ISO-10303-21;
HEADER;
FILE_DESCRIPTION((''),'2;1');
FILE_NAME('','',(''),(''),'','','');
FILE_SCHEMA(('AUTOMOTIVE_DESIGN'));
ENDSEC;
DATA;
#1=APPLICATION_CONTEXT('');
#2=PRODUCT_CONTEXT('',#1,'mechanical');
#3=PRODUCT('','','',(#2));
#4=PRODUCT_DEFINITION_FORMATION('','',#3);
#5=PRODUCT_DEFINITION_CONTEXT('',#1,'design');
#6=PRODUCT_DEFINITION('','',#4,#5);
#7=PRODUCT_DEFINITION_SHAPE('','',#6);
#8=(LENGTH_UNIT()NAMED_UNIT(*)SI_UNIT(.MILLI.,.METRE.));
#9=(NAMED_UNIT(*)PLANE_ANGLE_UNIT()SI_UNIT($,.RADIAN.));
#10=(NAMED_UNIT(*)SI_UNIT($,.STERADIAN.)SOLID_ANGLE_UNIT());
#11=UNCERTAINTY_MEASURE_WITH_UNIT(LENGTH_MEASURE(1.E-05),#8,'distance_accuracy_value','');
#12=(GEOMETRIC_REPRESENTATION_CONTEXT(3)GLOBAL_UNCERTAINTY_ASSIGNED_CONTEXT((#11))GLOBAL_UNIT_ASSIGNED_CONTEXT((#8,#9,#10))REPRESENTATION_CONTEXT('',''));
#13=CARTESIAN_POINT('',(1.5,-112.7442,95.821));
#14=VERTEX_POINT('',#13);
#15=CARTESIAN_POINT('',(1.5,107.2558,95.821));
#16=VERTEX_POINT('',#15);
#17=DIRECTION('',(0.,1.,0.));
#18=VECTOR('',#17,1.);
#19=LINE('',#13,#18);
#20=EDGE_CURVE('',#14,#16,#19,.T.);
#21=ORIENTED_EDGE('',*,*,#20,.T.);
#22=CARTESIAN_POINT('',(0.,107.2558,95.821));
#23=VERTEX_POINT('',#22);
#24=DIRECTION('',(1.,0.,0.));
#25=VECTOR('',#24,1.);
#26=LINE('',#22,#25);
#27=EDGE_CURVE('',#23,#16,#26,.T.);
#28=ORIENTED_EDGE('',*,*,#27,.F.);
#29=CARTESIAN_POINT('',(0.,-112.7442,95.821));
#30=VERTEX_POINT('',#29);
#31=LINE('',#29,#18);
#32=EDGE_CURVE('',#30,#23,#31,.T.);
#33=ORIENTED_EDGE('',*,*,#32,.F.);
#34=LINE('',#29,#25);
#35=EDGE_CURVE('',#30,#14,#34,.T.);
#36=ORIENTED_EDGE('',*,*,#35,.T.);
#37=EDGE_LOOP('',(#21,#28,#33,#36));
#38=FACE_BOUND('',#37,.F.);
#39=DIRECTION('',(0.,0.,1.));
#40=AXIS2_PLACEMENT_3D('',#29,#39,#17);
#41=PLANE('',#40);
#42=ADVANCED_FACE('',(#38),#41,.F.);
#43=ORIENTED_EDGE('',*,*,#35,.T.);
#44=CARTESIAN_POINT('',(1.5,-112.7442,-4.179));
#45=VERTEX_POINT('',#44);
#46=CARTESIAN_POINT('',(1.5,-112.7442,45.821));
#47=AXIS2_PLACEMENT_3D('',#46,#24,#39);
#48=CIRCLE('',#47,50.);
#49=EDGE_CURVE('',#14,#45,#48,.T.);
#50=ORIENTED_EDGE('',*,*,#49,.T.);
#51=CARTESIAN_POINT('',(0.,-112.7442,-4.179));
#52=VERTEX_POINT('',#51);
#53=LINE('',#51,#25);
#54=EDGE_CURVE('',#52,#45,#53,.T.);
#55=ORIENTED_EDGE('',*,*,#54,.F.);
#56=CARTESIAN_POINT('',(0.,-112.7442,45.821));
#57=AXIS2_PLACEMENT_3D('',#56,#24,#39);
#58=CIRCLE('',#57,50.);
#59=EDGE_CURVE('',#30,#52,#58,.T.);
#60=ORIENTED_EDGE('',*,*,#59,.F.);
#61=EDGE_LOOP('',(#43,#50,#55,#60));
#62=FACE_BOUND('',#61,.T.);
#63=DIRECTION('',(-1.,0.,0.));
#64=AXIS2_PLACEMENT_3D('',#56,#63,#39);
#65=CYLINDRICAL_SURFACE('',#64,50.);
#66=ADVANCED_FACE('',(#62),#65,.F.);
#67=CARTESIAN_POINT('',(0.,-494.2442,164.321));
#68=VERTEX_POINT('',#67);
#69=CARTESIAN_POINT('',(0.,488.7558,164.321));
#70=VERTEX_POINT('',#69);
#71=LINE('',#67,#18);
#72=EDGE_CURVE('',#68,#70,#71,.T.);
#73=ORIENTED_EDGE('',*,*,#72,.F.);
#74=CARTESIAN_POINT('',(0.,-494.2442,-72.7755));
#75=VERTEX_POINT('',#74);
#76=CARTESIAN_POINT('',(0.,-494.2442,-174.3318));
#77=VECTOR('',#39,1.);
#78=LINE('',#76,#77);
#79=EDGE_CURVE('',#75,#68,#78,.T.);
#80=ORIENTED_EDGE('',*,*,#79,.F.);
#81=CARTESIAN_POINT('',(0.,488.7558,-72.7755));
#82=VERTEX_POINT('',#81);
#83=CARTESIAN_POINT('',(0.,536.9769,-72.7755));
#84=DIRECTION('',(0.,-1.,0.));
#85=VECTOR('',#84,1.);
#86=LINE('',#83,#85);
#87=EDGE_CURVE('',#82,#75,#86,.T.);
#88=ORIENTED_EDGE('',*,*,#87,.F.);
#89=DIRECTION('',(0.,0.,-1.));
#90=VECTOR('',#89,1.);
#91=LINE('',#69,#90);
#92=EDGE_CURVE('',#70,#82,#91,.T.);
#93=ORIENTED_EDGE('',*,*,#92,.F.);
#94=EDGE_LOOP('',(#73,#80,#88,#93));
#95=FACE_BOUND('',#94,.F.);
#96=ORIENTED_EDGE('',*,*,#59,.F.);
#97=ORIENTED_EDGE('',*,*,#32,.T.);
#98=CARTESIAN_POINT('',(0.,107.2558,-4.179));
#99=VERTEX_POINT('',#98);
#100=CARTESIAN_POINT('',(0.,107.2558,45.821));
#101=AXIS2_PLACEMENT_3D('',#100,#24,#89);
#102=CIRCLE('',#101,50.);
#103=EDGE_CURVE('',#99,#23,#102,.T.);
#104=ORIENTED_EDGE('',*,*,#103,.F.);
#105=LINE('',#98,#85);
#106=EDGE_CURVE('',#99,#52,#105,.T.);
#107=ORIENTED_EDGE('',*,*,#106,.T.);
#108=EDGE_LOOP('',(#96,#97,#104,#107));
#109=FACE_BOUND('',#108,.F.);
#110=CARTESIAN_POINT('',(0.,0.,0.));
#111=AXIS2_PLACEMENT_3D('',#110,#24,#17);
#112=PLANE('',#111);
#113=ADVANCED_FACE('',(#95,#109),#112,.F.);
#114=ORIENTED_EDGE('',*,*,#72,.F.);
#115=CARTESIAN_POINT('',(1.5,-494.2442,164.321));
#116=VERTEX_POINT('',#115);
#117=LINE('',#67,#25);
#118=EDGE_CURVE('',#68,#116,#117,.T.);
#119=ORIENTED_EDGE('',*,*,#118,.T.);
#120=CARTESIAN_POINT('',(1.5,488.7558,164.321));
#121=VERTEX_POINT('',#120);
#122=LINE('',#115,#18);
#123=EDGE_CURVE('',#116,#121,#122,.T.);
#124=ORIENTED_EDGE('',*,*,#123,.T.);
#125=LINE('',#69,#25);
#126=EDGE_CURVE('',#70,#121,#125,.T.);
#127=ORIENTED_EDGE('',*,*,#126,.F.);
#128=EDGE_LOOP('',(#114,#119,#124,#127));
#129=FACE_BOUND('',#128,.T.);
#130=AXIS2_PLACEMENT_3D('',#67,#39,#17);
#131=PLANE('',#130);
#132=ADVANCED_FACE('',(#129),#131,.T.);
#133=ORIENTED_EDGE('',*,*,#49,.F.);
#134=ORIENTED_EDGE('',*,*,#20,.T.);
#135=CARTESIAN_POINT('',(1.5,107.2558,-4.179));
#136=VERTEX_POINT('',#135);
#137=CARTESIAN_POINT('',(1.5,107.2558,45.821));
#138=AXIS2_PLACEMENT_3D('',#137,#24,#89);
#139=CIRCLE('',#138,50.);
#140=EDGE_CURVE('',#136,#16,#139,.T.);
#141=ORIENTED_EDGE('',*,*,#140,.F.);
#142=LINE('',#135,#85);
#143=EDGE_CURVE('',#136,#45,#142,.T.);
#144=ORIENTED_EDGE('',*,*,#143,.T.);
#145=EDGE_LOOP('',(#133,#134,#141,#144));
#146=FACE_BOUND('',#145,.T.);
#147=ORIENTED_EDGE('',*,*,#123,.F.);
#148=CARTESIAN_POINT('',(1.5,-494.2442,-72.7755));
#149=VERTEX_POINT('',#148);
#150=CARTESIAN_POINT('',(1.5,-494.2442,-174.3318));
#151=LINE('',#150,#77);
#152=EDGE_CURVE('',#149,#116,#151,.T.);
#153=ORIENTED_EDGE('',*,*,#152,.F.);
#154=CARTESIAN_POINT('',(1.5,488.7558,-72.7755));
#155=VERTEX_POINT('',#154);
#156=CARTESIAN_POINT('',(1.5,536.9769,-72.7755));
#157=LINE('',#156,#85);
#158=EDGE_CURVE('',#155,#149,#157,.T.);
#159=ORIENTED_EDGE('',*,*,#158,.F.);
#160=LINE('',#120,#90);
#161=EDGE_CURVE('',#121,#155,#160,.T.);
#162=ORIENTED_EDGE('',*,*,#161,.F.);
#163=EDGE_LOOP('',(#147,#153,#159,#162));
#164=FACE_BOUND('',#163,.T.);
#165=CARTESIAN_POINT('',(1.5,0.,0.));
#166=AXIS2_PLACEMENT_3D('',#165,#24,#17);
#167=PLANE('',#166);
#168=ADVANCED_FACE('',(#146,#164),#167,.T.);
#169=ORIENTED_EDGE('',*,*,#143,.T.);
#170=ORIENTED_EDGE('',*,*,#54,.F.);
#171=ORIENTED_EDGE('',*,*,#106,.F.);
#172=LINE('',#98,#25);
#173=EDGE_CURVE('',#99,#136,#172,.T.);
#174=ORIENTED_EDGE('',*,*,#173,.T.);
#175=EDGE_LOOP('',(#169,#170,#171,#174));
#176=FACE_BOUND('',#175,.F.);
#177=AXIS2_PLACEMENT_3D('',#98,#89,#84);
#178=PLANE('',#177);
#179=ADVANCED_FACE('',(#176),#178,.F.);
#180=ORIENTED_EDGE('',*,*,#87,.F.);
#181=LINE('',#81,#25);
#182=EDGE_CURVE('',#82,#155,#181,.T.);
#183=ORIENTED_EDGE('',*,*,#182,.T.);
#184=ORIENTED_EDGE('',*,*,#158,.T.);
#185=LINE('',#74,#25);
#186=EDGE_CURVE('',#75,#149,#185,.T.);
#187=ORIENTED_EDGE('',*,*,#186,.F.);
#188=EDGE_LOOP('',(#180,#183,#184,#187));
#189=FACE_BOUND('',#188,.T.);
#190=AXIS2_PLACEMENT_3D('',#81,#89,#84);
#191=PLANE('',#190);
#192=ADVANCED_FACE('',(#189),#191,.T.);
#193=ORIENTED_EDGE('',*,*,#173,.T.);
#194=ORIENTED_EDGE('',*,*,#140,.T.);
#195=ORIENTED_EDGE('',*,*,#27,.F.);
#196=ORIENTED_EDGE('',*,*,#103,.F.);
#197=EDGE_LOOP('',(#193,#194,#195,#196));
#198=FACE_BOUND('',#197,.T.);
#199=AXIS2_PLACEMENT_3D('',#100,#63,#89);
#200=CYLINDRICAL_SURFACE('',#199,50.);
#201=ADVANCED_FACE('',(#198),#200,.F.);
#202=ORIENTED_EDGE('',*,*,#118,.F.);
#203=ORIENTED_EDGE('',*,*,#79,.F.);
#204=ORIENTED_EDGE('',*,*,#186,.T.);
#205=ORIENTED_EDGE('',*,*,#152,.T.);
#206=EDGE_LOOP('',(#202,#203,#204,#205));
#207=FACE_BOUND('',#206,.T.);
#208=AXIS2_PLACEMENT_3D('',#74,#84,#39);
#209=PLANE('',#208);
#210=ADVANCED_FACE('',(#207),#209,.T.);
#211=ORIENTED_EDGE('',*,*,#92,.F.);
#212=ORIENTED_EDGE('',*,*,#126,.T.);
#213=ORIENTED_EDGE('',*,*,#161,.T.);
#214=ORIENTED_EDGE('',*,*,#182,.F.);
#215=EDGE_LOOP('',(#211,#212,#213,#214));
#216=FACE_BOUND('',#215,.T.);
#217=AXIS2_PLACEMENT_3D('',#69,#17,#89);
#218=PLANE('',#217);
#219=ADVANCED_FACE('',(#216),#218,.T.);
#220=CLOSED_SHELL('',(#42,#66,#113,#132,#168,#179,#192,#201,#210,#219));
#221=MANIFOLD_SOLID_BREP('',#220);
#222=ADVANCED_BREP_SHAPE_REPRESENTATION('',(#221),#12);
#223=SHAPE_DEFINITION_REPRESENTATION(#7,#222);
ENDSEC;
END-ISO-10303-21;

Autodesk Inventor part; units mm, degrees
ref_plane "YZ Plane" through (0, 0, 0) normal (1, 0, 0) x (0, 1, 0)
ref_plane "XZ Plane" through (0, 0, 0) normal (0, 1, 0) x (-1, 0, 0)
ref_plane "XY Plane" through (0, 0, 0) normal (0, 0, 1) x (1, 0, 0)
sketch "Sketch2" plane through (0, 0, 0) normal (1, 0, 0) x (0, 1, 0)
  line L0 (107.2558, -4.179) -> (-112.7442, -4.179)
  arc A0 (-112.7442, 95.821) -> (-112.7442, -4.179) centre (-112.7442, 45.821) ccw
  line L1 (-112.7442, 95.821) -> (107.2558, 95.821)
  arc A1 (107.2558, -4.179) -> (107.2558, 95.821) centre (107.2558, 45.821) ccw
  line L2 (-494.2442, -174.3318) -> (-494.2442, 164.321)
  line L3 (488.7558, -174.3318) -> (-494.2442, -174.3318)
  line L4 (488.7558, 164.321) -> (488.7558, -174.3318)
  line L5 (-494.2442, 164.321) -> (488.7558, 164.321)
  line L6 (536.9769, -72.7755) -> (-621.4739, -72.7755)
  point P0 (0, 0)
  point P1 (-494.2442, -72.7755)
  point P2 (488.7558, -72.7755)
extrude "Extrusion1" add sketch "Sketch2" along normal blind 1.5 contours L2 L5 L4 L6
properties part number "AUX_3" material "Steel, Mild, Welded"
